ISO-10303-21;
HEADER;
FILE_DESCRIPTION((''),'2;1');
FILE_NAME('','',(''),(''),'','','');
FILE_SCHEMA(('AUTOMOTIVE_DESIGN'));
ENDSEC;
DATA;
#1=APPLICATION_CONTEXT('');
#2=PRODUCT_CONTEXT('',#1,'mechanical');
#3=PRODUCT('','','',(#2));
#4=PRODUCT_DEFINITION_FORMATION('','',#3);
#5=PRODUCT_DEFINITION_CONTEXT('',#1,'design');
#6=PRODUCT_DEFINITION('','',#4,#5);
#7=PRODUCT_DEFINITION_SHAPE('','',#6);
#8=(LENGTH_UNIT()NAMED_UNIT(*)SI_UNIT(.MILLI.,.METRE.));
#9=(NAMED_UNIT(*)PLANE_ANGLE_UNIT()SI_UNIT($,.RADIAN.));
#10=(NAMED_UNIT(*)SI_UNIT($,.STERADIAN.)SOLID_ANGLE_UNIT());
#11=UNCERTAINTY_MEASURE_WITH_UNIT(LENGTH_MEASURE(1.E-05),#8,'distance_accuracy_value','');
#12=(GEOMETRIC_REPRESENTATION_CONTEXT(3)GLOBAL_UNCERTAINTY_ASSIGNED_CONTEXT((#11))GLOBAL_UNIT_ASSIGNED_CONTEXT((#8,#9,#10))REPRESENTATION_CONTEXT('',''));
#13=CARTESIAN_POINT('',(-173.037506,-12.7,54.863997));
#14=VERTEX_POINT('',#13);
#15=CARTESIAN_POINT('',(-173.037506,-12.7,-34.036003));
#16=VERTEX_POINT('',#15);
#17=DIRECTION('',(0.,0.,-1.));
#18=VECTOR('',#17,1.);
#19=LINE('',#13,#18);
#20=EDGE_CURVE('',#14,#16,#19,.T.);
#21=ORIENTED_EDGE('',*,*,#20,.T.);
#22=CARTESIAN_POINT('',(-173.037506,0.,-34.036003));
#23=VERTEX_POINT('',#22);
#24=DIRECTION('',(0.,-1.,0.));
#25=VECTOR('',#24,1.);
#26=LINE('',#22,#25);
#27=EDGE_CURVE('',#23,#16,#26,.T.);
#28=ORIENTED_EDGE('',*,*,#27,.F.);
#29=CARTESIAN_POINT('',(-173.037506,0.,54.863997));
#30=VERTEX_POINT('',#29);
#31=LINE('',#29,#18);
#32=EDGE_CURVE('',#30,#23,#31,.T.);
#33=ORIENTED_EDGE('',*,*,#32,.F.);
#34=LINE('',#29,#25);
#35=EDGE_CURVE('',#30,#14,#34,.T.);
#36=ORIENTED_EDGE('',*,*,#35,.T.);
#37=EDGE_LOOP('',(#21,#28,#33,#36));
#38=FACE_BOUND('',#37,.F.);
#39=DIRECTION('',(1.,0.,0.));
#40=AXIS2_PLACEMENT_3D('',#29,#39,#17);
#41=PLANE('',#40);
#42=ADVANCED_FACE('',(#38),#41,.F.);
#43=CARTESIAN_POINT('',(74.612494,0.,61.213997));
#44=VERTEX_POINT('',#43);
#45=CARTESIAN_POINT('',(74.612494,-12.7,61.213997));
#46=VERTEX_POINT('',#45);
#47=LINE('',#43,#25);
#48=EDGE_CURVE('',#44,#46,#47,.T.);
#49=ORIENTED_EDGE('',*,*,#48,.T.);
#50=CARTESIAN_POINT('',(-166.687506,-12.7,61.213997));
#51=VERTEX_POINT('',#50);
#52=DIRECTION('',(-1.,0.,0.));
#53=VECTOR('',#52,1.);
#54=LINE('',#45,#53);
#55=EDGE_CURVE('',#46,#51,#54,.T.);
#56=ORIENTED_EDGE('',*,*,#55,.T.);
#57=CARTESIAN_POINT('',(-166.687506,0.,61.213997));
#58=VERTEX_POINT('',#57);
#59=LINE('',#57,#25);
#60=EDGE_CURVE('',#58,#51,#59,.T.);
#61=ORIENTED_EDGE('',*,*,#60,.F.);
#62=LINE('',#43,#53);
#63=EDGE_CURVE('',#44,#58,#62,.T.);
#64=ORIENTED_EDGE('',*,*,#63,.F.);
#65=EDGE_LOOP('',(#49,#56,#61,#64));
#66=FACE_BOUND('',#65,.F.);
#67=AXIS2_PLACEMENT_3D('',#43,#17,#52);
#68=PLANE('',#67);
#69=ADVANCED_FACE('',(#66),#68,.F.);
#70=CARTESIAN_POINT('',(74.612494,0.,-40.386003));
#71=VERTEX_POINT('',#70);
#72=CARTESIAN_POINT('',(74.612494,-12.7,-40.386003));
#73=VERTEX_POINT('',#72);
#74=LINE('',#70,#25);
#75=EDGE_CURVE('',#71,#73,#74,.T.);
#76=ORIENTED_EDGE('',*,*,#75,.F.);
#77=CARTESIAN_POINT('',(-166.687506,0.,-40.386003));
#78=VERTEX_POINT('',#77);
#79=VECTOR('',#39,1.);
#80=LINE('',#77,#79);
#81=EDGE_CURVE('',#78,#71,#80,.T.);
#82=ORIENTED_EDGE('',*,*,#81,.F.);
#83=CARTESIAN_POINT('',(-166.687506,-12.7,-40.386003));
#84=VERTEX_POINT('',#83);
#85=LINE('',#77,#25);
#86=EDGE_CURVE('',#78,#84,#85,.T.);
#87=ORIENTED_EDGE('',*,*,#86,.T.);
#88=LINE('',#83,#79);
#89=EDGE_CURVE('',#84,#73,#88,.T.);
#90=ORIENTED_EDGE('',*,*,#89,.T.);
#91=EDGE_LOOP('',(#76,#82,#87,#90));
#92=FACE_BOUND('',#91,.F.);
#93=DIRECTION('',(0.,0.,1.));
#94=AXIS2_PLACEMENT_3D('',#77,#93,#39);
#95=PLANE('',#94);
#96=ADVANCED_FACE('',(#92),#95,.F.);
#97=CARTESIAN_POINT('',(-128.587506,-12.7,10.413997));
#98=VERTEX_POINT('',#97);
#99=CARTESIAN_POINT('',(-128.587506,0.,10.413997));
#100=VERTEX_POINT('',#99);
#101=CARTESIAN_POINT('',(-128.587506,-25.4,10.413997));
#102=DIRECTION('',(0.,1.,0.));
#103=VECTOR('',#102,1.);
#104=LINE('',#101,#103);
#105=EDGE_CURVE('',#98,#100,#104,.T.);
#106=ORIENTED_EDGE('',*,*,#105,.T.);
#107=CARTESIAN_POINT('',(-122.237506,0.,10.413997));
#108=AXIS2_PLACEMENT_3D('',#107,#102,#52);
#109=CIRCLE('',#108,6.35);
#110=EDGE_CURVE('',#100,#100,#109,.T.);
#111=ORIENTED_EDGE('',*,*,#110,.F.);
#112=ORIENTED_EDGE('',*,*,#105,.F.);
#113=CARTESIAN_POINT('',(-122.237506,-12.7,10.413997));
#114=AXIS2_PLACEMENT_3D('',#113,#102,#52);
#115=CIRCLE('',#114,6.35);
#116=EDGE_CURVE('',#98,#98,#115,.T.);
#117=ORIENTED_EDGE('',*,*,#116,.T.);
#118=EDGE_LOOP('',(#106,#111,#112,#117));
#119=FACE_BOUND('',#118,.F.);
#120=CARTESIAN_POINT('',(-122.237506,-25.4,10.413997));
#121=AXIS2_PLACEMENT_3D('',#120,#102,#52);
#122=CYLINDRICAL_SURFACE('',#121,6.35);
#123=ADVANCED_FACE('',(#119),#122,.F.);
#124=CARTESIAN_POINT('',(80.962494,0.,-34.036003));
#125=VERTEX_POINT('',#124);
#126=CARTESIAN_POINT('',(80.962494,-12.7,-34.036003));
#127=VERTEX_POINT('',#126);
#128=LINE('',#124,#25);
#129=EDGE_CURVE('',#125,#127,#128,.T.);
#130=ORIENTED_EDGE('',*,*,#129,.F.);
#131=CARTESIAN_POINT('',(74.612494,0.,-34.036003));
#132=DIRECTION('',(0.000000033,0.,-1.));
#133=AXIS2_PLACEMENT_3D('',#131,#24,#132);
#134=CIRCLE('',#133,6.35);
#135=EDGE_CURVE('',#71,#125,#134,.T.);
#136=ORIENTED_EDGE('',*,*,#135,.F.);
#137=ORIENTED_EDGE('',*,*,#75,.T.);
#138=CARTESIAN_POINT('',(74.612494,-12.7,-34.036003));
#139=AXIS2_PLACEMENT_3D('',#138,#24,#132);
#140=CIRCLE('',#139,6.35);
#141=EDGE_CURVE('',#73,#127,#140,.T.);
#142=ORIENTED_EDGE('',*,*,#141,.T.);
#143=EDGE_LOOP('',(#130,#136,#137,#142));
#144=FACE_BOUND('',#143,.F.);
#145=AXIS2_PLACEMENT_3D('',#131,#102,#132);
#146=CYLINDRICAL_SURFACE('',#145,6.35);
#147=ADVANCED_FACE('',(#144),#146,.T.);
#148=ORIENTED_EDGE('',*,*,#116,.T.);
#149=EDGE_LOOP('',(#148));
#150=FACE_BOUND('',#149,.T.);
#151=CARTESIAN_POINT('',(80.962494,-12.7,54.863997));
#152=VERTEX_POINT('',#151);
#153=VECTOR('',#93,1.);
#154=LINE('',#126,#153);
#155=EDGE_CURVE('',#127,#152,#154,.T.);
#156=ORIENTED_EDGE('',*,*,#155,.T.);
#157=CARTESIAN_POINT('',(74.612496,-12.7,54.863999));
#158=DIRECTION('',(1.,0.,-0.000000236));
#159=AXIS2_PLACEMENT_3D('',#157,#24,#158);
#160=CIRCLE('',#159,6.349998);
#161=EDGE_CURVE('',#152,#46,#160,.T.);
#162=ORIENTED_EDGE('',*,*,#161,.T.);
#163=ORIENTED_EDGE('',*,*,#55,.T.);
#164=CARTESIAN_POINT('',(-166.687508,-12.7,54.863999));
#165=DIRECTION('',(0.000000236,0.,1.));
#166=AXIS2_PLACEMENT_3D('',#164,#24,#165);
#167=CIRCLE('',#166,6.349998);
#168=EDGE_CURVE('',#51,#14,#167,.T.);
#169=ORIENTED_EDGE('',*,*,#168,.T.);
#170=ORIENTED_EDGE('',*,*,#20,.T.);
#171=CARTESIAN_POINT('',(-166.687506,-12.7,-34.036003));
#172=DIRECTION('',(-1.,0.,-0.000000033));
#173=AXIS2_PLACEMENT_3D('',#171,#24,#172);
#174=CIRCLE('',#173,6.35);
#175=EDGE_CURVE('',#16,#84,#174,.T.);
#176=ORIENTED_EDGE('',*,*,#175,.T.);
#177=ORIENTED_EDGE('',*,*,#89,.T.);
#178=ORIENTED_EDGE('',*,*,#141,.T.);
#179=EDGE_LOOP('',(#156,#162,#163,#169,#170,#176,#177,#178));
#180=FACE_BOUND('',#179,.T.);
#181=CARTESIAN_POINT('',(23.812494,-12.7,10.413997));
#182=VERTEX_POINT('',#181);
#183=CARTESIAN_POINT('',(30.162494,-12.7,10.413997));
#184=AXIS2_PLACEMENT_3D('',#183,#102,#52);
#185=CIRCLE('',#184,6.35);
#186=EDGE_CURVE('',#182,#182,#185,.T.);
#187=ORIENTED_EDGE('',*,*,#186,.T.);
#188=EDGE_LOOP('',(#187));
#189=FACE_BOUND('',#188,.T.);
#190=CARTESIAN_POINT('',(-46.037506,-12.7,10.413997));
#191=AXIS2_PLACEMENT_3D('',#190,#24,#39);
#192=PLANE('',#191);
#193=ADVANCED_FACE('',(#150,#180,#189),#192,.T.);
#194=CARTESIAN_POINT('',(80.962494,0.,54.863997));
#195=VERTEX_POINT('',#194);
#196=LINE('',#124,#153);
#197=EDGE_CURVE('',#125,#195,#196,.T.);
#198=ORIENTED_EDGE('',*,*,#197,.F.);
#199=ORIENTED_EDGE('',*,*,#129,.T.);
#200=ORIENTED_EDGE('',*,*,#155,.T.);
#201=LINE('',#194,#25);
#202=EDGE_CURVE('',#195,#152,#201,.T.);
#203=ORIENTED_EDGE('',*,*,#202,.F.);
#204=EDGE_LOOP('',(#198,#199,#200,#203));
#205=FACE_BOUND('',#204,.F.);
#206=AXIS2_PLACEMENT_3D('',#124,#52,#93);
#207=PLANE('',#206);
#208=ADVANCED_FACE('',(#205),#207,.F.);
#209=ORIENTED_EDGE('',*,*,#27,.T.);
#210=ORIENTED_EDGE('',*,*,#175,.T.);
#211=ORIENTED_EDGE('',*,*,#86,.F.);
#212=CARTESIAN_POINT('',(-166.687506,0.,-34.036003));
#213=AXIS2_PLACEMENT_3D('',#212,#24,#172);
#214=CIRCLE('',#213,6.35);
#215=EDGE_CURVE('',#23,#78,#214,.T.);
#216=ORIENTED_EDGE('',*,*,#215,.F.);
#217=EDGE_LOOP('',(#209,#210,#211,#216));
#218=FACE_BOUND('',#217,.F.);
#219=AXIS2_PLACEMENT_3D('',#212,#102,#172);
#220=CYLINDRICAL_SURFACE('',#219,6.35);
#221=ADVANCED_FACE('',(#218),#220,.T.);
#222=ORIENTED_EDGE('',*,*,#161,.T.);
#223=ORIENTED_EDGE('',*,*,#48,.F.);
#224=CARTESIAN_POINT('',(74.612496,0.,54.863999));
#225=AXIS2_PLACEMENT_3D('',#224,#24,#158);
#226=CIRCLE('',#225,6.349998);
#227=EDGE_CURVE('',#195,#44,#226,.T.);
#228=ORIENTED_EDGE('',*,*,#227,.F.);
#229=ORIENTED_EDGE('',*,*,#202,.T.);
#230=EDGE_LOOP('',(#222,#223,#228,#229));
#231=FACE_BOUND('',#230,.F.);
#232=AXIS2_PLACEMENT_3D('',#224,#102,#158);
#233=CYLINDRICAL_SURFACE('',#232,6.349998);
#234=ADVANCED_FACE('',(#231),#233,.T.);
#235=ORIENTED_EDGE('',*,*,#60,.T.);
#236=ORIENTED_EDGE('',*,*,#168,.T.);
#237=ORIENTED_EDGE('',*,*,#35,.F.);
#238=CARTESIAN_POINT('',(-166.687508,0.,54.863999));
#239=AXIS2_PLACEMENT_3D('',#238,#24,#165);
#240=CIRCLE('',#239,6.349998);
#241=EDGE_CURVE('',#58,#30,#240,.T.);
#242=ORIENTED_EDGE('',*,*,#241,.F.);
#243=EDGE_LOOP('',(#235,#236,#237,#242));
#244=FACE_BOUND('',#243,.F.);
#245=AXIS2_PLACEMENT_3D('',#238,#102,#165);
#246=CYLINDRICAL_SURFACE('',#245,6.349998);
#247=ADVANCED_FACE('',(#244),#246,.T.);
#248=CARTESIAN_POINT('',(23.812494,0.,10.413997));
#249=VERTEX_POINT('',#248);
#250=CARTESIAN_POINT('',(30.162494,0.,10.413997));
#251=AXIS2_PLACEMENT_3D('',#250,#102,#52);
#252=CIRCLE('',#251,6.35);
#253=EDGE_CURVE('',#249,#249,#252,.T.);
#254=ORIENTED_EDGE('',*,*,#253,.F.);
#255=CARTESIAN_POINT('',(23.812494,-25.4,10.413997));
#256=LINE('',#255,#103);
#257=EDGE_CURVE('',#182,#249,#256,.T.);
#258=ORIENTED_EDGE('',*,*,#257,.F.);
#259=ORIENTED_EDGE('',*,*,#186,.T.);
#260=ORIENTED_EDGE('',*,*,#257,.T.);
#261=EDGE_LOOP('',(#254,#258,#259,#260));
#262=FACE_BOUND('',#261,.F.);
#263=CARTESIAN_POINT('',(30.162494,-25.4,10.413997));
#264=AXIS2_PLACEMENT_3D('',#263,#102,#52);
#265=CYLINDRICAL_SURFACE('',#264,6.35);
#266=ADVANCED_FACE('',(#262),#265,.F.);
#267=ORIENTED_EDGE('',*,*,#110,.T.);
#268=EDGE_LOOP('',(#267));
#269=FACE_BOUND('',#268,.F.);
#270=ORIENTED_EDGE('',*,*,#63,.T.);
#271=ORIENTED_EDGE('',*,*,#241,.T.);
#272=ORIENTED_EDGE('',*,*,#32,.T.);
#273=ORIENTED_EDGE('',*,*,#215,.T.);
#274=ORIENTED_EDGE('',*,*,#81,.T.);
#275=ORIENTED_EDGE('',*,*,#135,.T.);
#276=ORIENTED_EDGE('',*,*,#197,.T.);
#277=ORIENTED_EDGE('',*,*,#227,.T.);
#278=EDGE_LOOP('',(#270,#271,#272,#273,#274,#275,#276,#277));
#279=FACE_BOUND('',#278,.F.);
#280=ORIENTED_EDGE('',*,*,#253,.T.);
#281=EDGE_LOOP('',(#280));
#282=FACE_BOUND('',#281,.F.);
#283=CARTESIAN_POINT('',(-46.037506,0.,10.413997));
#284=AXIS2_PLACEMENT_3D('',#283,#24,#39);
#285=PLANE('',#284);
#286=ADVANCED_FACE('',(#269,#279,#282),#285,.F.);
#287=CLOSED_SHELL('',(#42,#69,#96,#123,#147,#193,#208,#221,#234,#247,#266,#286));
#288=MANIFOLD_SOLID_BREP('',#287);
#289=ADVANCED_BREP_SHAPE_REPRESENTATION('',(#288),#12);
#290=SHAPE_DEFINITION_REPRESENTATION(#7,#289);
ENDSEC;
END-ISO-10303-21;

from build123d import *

# Parameters (mm, degrees)
F1_DEPTH = 12.7
F3_D     = 12.7
F3_DEPTH = 12.7


with BuildPart() as f1:
    # F0 (on Front) → F1 (new body)
    with BuildSketch(Plane.XZ):
        with BuildLine():
            Line((74.612494, 61.213997), (-166.687506, 61.213997))
            ThreePointArc((-166.687506, 61.213997), (-171.177634, 59.354126), (-173.037506, 54.863997))
            Line((-173.037506, 54.863997), (-173.037506, -34.036003))
            ThreePointArc((-173.037506, -34.036003), (-171.177634, -38.526131), (-166.687506, -40.386003))
            Line((-166.687506, -40.386003), (74.612494, -40.386003))
            ThreePointArc((74.612494, -40.386003), (79.102622, -38.526131), (80.962494, -34.036003))
            Line((80.962494, -34.036003), (80.962494, 54.863997))
            ThreePointArc((80.962494, 54.863997), (79.102622, 59.354126), (74.612494, 61.213997))
        make_face()
    extrude(amount=F1_DEPTH)

    # F3
    with Locations(Plane.XZ.offset(12.7)):
        with Locations((-122.237506, 10.413997), (30.162494, 10.413997)):
            Hole(F3_D / 2, depth=F3_DEPTH)


solid = f1.part
